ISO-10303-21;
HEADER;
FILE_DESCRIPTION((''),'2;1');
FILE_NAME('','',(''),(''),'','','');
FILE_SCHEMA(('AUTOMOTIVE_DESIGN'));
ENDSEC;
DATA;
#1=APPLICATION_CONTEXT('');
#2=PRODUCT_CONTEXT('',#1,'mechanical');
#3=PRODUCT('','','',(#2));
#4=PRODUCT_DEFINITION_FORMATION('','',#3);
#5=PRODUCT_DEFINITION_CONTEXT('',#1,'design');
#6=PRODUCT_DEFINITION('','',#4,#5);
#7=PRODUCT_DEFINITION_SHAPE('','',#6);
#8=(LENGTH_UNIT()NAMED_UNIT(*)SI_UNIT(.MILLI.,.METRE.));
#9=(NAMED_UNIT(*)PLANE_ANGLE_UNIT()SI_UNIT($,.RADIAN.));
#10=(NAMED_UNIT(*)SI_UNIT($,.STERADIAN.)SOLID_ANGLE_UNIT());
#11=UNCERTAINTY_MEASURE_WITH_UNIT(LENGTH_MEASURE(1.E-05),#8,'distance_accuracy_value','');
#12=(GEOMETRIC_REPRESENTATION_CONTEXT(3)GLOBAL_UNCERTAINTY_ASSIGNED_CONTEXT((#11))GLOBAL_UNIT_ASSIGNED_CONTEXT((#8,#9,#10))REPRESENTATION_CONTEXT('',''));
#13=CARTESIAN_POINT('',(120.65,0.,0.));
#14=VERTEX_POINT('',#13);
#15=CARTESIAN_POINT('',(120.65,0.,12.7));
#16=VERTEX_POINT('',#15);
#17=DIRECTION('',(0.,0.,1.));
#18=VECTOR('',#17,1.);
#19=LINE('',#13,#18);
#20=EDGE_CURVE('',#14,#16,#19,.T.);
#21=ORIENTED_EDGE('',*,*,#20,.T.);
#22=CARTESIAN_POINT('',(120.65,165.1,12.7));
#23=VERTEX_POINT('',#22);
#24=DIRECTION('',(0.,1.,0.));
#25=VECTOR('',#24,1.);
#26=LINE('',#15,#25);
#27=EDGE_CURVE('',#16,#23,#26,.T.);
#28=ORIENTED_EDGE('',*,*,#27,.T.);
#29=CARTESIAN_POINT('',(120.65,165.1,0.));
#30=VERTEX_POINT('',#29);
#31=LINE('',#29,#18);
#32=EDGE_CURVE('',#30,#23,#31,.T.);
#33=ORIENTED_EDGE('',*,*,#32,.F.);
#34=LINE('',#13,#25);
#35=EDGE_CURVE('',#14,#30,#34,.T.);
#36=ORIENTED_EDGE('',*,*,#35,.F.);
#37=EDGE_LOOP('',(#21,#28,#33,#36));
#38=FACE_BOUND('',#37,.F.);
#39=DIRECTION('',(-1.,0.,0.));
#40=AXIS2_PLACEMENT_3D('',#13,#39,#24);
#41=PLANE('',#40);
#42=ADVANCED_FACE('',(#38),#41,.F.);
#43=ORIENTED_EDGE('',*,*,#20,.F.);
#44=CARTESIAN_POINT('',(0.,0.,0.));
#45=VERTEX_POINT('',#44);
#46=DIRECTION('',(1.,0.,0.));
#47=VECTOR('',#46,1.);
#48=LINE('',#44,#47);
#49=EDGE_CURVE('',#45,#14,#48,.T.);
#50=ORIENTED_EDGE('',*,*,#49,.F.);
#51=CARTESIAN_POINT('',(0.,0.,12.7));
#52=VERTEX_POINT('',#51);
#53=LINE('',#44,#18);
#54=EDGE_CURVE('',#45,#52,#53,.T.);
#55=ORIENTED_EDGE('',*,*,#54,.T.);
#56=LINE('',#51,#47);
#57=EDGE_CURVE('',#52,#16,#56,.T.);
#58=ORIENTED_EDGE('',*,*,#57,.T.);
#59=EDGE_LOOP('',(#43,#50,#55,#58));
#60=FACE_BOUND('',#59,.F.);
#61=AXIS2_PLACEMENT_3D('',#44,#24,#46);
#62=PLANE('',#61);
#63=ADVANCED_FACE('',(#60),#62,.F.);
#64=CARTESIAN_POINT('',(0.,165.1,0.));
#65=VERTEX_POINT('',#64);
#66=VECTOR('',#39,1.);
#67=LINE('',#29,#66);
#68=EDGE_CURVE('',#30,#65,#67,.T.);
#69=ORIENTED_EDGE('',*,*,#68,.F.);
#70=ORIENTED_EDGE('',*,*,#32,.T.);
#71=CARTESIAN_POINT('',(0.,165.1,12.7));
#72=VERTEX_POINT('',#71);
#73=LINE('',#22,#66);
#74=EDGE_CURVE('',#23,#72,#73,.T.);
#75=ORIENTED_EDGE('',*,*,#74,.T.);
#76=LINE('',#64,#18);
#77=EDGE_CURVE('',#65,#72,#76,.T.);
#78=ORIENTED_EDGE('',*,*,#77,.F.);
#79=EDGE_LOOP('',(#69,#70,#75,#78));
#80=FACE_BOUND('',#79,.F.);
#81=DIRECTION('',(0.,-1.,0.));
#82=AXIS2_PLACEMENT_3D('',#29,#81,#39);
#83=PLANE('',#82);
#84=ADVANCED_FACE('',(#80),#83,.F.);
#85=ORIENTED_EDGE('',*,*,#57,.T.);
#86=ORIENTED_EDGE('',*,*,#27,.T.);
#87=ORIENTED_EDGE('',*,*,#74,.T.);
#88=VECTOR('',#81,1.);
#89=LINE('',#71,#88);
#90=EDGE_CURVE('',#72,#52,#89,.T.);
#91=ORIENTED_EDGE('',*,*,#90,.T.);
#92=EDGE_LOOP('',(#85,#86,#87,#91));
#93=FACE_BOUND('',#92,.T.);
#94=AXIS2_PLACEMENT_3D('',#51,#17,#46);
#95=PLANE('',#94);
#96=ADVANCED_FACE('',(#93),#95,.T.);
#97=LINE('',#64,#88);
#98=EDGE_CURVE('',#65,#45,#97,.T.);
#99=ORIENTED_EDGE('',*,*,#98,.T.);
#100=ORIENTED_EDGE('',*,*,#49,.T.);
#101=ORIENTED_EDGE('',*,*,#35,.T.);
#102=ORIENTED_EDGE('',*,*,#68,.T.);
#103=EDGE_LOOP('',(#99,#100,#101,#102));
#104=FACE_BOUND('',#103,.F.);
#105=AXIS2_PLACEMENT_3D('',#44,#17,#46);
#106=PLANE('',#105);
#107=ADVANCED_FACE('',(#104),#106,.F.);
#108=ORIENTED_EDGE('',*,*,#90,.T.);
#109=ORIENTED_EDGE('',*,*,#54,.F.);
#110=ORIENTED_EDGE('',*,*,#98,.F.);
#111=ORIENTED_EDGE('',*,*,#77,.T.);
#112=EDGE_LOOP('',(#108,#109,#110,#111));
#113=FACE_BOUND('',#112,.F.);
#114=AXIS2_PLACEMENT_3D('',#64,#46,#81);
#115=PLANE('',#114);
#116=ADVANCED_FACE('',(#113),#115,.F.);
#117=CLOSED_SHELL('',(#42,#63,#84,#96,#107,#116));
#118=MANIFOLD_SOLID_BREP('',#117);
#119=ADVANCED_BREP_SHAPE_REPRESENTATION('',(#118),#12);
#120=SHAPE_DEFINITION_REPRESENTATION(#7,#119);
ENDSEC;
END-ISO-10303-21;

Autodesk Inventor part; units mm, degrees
ref_plane "YZ Plane" through (0, 0, 0) normal (1, 0, 0) x (0, 1, 0)
ref_plane "XZ Plane" through (0, 0, 0) normal (0, 1, 0) x (-1, 0, 0)
ref_plane "XY Plane" through (0, 0, 0) normal (0, 0, 1) x (1, 0, 0)
sketch "Sketch1" plane through (0, 0, 0) normal (0, 0, 1) x (1, 0, 0)
  line L0 (0, 0) -> (120.65, 0)
  line L1 (120.65, 0) -> (120.65, 165.1)
  line L2 (120.65, 165.1) -> (0, 165.1)
  line L3 (0, 165.1) -> (0, 0)
  dimension "d0" = 120.65
  dimension "d1" = 165.1
extrude "Extrusion1" add sketch "Sketch1" along normal blind 12.7
properties part number "Side slant" material "Wood (Oak)"
